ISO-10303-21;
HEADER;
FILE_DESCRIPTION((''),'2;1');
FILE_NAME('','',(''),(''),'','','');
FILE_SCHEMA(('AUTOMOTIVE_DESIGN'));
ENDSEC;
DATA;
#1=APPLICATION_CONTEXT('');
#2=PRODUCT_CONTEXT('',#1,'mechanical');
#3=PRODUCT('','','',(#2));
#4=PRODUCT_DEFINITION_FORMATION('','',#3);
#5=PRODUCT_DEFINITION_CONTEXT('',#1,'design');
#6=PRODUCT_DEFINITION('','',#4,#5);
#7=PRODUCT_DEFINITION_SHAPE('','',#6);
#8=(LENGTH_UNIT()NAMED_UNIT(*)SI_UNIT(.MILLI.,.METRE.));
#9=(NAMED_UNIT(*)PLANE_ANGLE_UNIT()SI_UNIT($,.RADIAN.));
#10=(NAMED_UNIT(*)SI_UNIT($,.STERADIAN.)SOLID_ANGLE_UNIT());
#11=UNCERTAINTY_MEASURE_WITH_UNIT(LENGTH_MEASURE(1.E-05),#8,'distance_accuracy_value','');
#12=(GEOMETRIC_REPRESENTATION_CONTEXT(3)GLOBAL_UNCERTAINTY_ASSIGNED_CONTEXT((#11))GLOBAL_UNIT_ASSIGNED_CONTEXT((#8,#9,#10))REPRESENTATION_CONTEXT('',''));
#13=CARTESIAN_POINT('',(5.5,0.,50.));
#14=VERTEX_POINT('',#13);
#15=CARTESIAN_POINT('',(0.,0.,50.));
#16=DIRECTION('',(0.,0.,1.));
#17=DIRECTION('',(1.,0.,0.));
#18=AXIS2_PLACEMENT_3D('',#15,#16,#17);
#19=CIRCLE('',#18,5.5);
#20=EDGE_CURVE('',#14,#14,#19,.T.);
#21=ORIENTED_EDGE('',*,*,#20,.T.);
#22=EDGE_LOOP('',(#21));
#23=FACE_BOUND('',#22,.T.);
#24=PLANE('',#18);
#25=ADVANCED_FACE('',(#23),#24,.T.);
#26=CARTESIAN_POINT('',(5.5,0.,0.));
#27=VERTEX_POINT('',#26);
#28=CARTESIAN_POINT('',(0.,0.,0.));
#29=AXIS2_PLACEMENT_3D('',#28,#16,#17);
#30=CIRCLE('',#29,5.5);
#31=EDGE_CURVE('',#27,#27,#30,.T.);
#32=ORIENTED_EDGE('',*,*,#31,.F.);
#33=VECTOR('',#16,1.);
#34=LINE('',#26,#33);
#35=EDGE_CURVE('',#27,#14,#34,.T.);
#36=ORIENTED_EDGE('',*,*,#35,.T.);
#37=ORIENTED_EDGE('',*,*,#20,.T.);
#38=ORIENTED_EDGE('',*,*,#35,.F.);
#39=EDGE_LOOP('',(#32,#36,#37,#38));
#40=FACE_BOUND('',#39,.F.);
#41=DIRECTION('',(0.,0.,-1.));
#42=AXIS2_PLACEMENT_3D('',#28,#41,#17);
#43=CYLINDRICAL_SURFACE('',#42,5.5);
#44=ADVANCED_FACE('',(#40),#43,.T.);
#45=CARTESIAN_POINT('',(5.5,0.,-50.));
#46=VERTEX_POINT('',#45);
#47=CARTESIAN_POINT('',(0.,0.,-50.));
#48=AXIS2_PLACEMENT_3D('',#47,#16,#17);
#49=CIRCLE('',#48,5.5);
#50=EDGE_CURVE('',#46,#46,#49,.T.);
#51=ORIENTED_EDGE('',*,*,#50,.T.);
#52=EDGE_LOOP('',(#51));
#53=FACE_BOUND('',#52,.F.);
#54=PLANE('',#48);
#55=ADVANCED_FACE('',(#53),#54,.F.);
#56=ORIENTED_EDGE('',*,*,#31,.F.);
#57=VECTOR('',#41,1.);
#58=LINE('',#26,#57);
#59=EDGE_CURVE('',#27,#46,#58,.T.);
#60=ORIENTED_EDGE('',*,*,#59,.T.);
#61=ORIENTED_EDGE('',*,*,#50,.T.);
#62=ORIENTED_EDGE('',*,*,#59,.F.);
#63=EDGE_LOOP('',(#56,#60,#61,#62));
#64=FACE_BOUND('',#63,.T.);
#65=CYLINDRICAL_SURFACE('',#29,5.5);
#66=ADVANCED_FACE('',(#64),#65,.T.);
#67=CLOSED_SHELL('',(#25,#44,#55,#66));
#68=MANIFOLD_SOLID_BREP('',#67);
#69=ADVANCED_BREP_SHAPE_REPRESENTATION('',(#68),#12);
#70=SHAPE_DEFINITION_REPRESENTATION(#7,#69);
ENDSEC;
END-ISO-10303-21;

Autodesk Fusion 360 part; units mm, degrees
sketch "Boceto2" plane through (0, 0, 0) normal (0, 0, 1) x (1, 0, 0)
  circle A0 centre (0, 0) radius 5.5
  dimension "d5" = 11
extrude "Extruir2" add sketch "Boceto2" along normal mid plane 100
